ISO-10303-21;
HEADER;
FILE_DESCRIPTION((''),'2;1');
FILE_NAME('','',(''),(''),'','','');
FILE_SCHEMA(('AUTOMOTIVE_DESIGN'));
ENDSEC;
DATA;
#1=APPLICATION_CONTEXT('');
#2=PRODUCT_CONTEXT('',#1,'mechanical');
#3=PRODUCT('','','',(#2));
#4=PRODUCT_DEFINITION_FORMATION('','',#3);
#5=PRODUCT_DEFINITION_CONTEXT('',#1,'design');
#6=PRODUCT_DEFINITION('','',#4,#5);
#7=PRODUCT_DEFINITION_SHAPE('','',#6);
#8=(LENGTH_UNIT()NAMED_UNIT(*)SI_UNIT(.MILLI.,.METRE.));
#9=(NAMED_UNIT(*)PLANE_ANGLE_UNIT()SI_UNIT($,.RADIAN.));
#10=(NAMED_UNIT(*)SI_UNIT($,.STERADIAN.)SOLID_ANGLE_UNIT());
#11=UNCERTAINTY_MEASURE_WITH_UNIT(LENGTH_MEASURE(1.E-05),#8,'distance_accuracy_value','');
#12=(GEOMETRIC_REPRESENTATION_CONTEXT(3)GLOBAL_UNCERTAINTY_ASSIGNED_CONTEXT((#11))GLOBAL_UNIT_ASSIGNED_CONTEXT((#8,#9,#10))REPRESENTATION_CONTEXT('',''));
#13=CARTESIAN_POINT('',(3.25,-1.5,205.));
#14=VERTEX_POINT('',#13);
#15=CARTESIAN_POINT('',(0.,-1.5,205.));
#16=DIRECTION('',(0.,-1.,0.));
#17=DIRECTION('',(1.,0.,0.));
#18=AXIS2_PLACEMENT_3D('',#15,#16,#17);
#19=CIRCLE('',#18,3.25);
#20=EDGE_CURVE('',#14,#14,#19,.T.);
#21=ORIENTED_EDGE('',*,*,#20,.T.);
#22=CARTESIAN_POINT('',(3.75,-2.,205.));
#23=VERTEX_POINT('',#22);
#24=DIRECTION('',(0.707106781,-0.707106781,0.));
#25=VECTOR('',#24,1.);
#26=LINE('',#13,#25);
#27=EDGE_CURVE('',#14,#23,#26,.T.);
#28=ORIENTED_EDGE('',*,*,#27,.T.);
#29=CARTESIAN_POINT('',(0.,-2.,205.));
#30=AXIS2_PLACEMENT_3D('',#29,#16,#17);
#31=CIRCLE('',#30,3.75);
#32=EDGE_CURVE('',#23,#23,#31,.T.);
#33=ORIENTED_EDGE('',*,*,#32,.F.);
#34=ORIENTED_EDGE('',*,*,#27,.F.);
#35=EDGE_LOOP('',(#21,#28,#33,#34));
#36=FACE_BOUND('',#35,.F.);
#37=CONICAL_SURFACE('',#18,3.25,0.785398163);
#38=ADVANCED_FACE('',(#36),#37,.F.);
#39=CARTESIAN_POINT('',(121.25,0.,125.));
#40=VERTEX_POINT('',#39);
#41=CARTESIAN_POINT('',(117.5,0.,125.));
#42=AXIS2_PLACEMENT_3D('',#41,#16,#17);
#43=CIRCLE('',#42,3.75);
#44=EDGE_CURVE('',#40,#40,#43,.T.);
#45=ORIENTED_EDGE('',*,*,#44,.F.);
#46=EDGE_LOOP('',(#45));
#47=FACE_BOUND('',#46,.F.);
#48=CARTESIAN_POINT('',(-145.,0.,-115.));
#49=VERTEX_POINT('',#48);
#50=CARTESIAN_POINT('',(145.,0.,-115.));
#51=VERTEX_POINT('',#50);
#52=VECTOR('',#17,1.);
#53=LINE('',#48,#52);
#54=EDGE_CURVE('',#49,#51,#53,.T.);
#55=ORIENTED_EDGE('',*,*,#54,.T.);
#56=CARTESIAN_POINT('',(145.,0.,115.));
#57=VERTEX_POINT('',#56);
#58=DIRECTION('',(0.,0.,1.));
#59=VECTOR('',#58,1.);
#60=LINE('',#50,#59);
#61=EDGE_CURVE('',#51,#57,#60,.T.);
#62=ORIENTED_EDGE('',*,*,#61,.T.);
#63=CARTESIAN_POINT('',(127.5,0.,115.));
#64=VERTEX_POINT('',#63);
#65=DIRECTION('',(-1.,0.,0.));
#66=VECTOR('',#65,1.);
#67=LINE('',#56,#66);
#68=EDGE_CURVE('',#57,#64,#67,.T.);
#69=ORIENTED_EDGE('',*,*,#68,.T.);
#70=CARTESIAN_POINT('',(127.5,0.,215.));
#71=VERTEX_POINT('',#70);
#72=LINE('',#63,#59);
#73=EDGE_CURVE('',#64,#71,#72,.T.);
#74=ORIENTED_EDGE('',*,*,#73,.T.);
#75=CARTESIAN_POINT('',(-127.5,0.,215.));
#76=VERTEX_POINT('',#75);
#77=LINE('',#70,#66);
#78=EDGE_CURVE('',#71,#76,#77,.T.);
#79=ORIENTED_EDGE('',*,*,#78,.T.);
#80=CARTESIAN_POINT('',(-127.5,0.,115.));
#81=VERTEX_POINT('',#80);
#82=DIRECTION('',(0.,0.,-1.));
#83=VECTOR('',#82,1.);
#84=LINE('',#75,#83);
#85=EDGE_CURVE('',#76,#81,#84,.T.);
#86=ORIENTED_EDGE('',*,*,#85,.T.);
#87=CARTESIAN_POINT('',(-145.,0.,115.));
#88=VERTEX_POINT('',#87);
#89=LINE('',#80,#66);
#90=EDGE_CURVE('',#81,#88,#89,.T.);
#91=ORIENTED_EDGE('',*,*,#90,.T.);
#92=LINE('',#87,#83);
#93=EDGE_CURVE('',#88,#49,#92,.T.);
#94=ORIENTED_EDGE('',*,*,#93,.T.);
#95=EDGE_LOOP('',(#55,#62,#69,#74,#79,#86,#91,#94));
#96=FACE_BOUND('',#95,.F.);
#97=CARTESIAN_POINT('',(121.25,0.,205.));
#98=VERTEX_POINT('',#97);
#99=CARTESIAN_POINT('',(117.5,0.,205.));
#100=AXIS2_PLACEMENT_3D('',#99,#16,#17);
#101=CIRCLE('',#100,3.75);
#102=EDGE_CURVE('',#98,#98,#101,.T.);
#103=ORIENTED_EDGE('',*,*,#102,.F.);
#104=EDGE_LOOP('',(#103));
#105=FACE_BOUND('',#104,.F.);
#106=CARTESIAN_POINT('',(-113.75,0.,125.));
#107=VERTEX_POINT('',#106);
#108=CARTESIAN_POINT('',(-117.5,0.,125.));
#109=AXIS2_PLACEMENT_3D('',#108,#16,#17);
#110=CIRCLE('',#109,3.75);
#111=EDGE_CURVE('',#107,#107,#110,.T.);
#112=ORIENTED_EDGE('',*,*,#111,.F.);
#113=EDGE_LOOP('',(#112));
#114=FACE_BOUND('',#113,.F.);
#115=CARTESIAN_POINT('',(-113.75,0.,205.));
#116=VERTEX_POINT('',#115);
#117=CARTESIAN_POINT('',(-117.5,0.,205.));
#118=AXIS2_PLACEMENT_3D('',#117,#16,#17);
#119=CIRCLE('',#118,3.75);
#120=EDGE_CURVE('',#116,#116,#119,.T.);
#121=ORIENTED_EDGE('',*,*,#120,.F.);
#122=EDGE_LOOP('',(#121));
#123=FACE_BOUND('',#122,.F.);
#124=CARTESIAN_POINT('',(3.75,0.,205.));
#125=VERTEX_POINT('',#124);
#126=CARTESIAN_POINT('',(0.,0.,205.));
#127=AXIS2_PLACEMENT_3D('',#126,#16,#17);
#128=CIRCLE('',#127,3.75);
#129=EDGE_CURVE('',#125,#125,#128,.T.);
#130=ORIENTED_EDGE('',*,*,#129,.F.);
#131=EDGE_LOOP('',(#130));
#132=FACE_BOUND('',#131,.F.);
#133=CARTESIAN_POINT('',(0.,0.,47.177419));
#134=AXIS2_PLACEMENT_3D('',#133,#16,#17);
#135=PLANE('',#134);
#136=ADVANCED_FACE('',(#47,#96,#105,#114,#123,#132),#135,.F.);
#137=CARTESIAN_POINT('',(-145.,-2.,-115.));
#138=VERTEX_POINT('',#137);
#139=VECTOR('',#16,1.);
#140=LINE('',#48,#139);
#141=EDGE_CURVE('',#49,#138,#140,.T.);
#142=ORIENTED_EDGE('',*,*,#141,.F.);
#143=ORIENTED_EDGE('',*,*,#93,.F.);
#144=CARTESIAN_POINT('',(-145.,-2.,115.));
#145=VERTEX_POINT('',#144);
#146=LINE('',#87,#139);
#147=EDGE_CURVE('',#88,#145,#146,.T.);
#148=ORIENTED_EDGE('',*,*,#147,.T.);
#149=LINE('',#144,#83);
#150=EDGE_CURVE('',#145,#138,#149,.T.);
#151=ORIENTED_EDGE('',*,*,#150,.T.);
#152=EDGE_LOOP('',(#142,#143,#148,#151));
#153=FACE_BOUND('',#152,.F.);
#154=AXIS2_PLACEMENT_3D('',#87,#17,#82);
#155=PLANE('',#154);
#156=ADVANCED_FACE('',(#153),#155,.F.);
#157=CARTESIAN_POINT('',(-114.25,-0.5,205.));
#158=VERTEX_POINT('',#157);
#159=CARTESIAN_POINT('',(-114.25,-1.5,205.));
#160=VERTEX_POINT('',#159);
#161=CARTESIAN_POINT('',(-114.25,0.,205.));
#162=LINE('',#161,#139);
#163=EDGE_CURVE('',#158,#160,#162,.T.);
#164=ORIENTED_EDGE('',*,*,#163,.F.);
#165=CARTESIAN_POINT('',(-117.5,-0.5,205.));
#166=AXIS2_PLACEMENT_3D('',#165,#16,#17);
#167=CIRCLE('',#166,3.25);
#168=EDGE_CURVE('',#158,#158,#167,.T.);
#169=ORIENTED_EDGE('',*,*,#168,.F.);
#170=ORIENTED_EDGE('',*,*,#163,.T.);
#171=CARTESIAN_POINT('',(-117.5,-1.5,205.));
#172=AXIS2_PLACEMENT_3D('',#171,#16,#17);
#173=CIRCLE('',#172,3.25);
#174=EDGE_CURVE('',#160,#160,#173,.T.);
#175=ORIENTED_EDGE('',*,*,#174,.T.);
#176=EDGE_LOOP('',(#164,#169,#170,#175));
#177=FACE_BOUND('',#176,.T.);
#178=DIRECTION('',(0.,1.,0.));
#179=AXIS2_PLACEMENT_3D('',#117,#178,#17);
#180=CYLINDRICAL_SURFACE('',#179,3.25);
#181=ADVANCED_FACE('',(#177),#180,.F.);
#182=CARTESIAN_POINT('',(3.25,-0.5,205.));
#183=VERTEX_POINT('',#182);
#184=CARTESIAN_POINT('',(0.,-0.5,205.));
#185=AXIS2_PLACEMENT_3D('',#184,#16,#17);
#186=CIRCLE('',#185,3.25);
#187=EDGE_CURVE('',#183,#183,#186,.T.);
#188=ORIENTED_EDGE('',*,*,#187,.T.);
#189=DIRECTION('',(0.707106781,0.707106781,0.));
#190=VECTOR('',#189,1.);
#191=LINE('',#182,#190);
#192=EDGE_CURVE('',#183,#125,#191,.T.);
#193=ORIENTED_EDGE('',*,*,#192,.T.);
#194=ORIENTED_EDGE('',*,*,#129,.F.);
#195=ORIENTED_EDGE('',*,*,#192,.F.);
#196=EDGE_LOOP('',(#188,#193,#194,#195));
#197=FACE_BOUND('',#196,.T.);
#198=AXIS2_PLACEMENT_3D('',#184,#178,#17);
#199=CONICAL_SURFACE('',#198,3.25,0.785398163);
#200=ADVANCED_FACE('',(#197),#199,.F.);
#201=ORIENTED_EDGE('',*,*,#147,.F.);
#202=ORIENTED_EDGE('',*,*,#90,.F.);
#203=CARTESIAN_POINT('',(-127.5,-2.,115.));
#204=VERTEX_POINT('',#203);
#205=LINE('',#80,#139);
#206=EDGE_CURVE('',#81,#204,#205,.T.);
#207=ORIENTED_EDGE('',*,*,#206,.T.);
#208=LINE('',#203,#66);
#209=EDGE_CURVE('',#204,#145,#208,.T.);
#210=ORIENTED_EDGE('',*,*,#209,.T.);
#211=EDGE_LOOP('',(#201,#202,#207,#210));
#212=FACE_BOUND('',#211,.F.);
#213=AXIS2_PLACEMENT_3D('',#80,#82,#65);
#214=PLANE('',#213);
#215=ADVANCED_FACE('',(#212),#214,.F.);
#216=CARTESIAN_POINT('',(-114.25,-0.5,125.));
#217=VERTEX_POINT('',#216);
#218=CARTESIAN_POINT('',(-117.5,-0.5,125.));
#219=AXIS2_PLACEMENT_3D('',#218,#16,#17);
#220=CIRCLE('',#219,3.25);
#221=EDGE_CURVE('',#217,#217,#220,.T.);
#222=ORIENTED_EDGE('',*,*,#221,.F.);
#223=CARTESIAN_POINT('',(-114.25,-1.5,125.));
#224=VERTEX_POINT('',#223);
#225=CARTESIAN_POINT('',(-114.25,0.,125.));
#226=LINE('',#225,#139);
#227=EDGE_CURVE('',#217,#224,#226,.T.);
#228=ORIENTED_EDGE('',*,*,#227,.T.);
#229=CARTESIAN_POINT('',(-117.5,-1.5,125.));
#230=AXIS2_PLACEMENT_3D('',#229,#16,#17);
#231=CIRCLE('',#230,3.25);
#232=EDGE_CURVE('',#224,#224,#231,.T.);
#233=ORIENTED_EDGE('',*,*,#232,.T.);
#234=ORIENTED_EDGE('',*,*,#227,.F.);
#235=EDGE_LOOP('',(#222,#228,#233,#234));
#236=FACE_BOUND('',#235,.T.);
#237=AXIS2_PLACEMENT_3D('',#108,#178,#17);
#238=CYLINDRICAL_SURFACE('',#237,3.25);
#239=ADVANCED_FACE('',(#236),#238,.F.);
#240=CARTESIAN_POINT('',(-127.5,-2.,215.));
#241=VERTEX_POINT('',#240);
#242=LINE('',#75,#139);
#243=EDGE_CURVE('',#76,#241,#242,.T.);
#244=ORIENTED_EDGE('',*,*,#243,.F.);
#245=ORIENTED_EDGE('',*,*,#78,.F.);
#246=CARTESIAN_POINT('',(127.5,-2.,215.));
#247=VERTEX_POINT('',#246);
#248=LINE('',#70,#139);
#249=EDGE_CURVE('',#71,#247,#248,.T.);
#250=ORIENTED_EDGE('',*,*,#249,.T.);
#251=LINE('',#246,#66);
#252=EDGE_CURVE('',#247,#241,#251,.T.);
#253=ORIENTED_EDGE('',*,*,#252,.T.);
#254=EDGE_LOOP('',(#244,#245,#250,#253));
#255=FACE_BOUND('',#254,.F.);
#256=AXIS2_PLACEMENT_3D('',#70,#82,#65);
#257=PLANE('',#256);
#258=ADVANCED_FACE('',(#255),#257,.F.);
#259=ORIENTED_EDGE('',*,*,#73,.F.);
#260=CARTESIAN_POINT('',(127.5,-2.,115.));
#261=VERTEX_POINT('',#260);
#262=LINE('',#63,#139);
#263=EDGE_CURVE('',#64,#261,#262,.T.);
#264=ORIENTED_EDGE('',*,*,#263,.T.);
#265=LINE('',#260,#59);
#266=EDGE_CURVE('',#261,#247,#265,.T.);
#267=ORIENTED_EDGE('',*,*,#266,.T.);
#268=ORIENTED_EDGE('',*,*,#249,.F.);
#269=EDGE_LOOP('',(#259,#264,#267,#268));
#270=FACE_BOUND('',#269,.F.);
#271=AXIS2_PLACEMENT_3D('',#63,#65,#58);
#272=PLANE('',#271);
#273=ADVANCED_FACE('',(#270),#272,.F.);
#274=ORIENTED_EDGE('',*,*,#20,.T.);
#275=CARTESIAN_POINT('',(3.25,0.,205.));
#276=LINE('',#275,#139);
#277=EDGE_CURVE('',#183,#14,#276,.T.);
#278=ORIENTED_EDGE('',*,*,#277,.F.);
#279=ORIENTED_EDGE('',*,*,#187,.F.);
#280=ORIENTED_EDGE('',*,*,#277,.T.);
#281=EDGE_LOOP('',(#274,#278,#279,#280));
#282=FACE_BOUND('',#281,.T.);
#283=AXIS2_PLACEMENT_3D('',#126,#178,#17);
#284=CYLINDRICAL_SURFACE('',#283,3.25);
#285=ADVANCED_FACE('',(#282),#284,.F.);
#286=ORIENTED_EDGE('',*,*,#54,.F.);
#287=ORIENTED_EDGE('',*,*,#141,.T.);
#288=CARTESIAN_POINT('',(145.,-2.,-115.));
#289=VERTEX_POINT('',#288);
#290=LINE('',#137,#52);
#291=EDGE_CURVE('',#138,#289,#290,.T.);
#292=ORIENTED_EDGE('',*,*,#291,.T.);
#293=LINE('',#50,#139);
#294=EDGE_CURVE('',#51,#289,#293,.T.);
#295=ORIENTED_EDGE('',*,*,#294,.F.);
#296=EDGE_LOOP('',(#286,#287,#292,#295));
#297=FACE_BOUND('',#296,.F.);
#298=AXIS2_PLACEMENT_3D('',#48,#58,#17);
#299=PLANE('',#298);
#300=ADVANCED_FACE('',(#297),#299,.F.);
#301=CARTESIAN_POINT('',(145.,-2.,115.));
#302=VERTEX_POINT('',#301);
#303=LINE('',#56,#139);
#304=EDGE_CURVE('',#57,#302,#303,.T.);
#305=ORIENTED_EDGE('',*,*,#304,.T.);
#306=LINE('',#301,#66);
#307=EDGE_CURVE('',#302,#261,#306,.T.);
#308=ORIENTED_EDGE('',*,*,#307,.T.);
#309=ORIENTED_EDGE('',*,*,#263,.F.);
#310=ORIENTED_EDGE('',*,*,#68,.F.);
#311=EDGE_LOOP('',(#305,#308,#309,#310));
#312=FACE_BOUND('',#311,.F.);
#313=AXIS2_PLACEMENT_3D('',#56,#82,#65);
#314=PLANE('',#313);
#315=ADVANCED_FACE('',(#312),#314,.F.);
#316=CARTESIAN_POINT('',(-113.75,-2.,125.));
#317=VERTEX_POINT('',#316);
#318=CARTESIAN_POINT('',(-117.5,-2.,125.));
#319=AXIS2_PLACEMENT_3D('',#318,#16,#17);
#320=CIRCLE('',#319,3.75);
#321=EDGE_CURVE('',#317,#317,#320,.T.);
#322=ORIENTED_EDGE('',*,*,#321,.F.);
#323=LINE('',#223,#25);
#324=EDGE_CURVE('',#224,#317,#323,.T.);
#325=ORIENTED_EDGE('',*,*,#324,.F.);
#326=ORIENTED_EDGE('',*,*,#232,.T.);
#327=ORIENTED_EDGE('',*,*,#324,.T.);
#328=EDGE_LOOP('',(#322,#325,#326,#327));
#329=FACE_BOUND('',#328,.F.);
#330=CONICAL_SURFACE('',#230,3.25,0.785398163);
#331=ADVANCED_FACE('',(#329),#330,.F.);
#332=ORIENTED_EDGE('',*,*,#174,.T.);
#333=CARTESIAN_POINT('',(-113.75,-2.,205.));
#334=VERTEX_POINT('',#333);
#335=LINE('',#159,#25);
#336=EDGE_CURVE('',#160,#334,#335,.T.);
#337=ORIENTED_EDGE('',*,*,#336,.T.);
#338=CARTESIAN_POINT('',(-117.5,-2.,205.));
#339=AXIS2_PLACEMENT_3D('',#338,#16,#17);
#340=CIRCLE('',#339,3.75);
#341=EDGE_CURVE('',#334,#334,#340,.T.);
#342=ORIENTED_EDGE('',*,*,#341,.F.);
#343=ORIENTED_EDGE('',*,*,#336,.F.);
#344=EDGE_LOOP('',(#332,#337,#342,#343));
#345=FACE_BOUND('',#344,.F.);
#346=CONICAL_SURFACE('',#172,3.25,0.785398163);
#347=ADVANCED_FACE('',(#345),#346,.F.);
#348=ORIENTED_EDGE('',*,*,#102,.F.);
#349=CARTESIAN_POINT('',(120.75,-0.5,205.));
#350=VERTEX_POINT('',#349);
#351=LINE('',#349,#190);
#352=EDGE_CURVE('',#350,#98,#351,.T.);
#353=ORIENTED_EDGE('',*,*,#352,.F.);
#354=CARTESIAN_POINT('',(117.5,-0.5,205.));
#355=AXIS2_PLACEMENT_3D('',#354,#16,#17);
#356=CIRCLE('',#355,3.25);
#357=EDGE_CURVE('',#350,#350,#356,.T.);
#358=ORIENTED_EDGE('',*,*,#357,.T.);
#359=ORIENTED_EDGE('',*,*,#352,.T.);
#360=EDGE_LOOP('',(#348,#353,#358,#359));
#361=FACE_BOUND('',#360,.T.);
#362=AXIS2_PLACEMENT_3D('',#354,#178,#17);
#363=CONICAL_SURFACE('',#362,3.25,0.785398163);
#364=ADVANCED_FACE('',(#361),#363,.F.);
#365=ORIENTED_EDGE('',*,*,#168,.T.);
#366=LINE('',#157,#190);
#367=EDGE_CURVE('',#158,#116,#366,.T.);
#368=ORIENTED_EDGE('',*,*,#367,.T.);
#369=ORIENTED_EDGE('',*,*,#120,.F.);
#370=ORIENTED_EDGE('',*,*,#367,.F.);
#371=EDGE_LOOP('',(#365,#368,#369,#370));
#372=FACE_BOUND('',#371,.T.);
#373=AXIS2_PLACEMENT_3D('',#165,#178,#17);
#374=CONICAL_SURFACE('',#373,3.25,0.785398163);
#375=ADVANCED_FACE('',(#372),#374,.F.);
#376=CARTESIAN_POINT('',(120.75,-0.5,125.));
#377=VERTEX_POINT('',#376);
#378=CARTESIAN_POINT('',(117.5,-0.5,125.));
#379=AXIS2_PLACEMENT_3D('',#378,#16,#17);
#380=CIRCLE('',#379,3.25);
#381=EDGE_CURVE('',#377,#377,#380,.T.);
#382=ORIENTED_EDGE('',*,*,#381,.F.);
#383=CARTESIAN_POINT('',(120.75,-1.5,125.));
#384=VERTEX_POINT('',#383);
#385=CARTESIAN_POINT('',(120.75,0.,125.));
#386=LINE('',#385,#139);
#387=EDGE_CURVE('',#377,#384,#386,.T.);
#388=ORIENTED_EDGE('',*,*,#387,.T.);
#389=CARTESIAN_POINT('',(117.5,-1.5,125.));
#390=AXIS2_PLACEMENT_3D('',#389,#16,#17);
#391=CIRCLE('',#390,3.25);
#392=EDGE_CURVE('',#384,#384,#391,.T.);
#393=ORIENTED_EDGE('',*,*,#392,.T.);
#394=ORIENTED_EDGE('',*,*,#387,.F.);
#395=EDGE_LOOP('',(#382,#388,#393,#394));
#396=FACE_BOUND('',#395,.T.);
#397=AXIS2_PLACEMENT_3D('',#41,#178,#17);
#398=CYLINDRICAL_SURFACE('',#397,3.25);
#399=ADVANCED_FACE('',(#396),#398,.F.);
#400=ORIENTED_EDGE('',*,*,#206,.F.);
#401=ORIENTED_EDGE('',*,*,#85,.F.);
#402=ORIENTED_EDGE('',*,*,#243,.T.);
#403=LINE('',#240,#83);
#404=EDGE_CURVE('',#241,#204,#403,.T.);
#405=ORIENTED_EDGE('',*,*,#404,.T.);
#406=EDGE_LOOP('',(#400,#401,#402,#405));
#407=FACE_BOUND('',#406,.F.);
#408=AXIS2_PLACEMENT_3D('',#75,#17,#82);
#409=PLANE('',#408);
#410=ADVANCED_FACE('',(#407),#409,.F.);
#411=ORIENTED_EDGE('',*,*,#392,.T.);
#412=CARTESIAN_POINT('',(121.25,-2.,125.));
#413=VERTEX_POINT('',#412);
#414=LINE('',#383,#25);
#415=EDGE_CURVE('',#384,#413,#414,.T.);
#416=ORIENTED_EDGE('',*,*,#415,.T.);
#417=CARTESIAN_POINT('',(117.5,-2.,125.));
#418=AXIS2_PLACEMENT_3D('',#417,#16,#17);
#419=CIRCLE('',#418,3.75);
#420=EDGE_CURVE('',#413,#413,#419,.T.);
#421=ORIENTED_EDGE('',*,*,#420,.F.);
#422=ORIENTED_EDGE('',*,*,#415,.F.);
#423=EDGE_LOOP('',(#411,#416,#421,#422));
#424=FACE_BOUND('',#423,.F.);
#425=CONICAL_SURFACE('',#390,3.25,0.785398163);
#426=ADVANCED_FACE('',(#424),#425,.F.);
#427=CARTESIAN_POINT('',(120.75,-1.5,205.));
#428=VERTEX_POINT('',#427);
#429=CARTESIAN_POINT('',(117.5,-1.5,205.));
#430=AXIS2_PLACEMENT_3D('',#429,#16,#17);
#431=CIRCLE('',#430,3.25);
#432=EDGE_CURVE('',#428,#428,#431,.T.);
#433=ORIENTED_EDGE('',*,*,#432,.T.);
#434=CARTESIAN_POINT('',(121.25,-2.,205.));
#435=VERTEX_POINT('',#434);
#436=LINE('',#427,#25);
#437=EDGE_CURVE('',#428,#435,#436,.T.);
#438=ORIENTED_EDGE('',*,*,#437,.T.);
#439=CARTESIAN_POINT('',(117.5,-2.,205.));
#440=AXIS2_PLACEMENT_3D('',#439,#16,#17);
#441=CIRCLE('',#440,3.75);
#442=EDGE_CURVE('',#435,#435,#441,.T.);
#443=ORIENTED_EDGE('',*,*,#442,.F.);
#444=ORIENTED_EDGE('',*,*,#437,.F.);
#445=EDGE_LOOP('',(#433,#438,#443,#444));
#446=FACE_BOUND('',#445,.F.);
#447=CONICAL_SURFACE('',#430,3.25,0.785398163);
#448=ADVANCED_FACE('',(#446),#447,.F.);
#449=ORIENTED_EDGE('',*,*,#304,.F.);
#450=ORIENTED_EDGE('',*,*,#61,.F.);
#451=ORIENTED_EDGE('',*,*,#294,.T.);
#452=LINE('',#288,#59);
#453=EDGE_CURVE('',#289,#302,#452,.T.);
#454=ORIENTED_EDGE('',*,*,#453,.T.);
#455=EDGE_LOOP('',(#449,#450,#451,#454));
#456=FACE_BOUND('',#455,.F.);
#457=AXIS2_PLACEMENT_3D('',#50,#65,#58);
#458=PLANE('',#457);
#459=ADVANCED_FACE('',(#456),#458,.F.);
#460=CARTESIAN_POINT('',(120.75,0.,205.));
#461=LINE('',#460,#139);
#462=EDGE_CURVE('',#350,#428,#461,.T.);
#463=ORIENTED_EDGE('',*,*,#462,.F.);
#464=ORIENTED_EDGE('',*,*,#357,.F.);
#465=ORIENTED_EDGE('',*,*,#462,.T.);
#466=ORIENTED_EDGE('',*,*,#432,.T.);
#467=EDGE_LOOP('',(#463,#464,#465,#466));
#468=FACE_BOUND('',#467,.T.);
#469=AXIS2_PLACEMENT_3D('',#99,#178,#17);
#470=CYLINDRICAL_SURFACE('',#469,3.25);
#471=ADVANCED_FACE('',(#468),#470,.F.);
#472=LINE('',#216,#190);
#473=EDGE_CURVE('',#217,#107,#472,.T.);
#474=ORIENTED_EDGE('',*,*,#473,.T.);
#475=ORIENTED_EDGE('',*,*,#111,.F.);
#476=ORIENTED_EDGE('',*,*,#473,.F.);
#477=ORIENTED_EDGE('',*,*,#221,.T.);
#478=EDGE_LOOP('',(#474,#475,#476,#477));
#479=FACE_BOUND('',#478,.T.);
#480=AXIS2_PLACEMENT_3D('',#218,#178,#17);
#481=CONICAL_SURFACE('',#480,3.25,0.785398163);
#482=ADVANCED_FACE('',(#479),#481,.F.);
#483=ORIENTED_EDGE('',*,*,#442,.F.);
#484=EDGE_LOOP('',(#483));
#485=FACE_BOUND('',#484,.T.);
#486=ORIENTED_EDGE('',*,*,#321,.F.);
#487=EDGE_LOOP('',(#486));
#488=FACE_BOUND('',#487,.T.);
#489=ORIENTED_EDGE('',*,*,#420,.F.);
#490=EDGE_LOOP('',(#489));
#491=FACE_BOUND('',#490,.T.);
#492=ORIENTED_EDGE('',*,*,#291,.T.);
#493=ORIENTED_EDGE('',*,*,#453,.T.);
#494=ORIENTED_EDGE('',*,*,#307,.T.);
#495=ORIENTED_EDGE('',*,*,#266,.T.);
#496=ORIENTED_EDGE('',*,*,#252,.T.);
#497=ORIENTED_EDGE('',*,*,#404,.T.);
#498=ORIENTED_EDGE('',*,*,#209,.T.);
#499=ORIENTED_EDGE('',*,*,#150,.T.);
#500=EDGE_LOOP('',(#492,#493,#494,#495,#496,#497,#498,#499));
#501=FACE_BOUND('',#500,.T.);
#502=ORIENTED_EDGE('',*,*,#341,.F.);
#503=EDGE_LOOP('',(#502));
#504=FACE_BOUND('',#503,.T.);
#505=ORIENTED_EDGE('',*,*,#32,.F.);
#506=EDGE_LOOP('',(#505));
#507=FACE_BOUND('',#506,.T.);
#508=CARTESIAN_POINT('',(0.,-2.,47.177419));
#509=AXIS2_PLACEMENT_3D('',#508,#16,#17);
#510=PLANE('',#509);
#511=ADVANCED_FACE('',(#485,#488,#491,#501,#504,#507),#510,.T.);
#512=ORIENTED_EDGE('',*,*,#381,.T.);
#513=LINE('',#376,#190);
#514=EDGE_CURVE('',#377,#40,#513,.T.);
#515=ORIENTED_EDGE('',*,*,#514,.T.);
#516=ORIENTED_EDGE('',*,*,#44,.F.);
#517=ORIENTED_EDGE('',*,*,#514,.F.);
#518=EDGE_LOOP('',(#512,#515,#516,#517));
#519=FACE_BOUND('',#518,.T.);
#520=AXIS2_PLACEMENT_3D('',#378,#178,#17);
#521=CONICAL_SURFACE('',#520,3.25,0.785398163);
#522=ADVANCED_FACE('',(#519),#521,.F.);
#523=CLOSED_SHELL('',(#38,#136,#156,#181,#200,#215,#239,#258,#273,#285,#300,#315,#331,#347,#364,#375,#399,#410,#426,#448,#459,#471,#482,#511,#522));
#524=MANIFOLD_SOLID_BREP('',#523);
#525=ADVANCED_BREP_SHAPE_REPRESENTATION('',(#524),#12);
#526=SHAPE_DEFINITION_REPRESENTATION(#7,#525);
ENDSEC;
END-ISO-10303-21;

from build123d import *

# Parameters (mm, degrees)
F0_R     = 3.25
F1_DEPTH = 2
F2_SIZE  = 0.5


with BuildPart() as f1:
    # F0 (on Front) → F1 (new body)
    with BuildSketch(Plane.XZ):
        Polygon((145, -115), (145, 115), (127.5, 115), (127.5, 215), (-127.5, 215), (-127.5, 115), (-145, 115), (-145, -115), align=None)
        with Locations((-117.5, 125)):
            Circle(F0_R, mode=Mode.SUBTRACT)
        with Locations((-117.5, 205)):
            Circle(F0_R, mode=Mode.SUBTRACT)
        with Locations((117.5, 125)):
            Circle(F0_R, mode=Mode.SUBTRACT)
        with Locations((0, 205)):
            Circle(F0_R, mode=Mode.SUBTRACT)
        with Locations((117.5, 205)):
            Circle(F0_R, mode=Mode.SUBTRACT)
    extrude(amount=F1_DEPTH)

    # F2
    f2_edges = [f1.edges().sort_by_distance(p)[0] for p in [
        (-114.25, -1, 125),
        (-120.75, 0, 125),
        (-120.75, -2, 125),
        (-114.25, -1, 205),
        (-120.75, 0, 205),
        (-120.75, -2, 205),
        (120.75, -1, 205),
        (114.25, 0, 205),
        (114.25, -2, 205),
        (120.75, -1, 125),
        (114.25, 0, 125),
        (114.25, -2, 125),
        (3.25, -1, 205),
        (-3.25, 0, 205),
        (-3.25, -2, 205),
    ]]
    chamfer(f2_edges, length=F2_SIZE)


solid = f1.part
